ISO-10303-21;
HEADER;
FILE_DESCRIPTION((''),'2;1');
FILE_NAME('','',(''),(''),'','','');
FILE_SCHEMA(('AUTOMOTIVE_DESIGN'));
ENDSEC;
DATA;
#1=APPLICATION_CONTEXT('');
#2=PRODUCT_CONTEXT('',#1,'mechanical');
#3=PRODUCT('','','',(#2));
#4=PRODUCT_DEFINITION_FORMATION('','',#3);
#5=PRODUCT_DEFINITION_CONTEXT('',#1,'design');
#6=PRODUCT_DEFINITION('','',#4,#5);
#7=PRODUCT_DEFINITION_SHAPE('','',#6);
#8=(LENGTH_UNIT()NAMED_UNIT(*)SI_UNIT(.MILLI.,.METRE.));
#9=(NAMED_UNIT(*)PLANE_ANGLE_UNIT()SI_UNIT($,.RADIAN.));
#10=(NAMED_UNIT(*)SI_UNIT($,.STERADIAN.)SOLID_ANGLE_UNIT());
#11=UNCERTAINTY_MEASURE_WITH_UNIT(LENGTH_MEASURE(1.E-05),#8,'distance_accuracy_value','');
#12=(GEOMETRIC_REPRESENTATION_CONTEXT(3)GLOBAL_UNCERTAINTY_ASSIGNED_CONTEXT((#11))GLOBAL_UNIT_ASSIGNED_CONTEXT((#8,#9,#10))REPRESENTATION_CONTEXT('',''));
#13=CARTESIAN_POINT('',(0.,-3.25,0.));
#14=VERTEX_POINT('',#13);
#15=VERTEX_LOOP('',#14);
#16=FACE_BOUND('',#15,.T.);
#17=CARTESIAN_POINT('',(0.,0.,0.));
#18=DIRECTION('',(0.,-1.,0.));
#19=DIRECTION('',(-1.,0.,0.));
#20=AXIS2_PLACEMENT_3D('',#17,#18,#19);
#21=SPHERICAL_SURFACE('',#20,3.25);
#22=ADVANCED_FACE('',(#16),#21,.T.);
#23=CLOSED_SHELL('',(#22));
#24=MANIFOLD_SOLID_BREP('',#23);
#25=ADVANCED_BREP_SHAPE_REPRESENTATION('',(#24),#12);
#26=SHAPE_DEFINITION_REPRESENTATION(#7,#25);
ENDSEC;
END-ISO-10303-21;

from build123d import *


with BuildPart() as part:
    # Sketch1 → Revolve1 (revolve)
    with BuildSketch(Plane.XY):
        with BuildLine():
            Line((0, -3.25), (0, 3.25))
            ThreePointArc((0, 3.25), (3.25, 0), (0, -3.25))
        make_face()
    revolve(axis=Axis((0, -3.25, 0), (0, 1, 0)))


solid = part.part
